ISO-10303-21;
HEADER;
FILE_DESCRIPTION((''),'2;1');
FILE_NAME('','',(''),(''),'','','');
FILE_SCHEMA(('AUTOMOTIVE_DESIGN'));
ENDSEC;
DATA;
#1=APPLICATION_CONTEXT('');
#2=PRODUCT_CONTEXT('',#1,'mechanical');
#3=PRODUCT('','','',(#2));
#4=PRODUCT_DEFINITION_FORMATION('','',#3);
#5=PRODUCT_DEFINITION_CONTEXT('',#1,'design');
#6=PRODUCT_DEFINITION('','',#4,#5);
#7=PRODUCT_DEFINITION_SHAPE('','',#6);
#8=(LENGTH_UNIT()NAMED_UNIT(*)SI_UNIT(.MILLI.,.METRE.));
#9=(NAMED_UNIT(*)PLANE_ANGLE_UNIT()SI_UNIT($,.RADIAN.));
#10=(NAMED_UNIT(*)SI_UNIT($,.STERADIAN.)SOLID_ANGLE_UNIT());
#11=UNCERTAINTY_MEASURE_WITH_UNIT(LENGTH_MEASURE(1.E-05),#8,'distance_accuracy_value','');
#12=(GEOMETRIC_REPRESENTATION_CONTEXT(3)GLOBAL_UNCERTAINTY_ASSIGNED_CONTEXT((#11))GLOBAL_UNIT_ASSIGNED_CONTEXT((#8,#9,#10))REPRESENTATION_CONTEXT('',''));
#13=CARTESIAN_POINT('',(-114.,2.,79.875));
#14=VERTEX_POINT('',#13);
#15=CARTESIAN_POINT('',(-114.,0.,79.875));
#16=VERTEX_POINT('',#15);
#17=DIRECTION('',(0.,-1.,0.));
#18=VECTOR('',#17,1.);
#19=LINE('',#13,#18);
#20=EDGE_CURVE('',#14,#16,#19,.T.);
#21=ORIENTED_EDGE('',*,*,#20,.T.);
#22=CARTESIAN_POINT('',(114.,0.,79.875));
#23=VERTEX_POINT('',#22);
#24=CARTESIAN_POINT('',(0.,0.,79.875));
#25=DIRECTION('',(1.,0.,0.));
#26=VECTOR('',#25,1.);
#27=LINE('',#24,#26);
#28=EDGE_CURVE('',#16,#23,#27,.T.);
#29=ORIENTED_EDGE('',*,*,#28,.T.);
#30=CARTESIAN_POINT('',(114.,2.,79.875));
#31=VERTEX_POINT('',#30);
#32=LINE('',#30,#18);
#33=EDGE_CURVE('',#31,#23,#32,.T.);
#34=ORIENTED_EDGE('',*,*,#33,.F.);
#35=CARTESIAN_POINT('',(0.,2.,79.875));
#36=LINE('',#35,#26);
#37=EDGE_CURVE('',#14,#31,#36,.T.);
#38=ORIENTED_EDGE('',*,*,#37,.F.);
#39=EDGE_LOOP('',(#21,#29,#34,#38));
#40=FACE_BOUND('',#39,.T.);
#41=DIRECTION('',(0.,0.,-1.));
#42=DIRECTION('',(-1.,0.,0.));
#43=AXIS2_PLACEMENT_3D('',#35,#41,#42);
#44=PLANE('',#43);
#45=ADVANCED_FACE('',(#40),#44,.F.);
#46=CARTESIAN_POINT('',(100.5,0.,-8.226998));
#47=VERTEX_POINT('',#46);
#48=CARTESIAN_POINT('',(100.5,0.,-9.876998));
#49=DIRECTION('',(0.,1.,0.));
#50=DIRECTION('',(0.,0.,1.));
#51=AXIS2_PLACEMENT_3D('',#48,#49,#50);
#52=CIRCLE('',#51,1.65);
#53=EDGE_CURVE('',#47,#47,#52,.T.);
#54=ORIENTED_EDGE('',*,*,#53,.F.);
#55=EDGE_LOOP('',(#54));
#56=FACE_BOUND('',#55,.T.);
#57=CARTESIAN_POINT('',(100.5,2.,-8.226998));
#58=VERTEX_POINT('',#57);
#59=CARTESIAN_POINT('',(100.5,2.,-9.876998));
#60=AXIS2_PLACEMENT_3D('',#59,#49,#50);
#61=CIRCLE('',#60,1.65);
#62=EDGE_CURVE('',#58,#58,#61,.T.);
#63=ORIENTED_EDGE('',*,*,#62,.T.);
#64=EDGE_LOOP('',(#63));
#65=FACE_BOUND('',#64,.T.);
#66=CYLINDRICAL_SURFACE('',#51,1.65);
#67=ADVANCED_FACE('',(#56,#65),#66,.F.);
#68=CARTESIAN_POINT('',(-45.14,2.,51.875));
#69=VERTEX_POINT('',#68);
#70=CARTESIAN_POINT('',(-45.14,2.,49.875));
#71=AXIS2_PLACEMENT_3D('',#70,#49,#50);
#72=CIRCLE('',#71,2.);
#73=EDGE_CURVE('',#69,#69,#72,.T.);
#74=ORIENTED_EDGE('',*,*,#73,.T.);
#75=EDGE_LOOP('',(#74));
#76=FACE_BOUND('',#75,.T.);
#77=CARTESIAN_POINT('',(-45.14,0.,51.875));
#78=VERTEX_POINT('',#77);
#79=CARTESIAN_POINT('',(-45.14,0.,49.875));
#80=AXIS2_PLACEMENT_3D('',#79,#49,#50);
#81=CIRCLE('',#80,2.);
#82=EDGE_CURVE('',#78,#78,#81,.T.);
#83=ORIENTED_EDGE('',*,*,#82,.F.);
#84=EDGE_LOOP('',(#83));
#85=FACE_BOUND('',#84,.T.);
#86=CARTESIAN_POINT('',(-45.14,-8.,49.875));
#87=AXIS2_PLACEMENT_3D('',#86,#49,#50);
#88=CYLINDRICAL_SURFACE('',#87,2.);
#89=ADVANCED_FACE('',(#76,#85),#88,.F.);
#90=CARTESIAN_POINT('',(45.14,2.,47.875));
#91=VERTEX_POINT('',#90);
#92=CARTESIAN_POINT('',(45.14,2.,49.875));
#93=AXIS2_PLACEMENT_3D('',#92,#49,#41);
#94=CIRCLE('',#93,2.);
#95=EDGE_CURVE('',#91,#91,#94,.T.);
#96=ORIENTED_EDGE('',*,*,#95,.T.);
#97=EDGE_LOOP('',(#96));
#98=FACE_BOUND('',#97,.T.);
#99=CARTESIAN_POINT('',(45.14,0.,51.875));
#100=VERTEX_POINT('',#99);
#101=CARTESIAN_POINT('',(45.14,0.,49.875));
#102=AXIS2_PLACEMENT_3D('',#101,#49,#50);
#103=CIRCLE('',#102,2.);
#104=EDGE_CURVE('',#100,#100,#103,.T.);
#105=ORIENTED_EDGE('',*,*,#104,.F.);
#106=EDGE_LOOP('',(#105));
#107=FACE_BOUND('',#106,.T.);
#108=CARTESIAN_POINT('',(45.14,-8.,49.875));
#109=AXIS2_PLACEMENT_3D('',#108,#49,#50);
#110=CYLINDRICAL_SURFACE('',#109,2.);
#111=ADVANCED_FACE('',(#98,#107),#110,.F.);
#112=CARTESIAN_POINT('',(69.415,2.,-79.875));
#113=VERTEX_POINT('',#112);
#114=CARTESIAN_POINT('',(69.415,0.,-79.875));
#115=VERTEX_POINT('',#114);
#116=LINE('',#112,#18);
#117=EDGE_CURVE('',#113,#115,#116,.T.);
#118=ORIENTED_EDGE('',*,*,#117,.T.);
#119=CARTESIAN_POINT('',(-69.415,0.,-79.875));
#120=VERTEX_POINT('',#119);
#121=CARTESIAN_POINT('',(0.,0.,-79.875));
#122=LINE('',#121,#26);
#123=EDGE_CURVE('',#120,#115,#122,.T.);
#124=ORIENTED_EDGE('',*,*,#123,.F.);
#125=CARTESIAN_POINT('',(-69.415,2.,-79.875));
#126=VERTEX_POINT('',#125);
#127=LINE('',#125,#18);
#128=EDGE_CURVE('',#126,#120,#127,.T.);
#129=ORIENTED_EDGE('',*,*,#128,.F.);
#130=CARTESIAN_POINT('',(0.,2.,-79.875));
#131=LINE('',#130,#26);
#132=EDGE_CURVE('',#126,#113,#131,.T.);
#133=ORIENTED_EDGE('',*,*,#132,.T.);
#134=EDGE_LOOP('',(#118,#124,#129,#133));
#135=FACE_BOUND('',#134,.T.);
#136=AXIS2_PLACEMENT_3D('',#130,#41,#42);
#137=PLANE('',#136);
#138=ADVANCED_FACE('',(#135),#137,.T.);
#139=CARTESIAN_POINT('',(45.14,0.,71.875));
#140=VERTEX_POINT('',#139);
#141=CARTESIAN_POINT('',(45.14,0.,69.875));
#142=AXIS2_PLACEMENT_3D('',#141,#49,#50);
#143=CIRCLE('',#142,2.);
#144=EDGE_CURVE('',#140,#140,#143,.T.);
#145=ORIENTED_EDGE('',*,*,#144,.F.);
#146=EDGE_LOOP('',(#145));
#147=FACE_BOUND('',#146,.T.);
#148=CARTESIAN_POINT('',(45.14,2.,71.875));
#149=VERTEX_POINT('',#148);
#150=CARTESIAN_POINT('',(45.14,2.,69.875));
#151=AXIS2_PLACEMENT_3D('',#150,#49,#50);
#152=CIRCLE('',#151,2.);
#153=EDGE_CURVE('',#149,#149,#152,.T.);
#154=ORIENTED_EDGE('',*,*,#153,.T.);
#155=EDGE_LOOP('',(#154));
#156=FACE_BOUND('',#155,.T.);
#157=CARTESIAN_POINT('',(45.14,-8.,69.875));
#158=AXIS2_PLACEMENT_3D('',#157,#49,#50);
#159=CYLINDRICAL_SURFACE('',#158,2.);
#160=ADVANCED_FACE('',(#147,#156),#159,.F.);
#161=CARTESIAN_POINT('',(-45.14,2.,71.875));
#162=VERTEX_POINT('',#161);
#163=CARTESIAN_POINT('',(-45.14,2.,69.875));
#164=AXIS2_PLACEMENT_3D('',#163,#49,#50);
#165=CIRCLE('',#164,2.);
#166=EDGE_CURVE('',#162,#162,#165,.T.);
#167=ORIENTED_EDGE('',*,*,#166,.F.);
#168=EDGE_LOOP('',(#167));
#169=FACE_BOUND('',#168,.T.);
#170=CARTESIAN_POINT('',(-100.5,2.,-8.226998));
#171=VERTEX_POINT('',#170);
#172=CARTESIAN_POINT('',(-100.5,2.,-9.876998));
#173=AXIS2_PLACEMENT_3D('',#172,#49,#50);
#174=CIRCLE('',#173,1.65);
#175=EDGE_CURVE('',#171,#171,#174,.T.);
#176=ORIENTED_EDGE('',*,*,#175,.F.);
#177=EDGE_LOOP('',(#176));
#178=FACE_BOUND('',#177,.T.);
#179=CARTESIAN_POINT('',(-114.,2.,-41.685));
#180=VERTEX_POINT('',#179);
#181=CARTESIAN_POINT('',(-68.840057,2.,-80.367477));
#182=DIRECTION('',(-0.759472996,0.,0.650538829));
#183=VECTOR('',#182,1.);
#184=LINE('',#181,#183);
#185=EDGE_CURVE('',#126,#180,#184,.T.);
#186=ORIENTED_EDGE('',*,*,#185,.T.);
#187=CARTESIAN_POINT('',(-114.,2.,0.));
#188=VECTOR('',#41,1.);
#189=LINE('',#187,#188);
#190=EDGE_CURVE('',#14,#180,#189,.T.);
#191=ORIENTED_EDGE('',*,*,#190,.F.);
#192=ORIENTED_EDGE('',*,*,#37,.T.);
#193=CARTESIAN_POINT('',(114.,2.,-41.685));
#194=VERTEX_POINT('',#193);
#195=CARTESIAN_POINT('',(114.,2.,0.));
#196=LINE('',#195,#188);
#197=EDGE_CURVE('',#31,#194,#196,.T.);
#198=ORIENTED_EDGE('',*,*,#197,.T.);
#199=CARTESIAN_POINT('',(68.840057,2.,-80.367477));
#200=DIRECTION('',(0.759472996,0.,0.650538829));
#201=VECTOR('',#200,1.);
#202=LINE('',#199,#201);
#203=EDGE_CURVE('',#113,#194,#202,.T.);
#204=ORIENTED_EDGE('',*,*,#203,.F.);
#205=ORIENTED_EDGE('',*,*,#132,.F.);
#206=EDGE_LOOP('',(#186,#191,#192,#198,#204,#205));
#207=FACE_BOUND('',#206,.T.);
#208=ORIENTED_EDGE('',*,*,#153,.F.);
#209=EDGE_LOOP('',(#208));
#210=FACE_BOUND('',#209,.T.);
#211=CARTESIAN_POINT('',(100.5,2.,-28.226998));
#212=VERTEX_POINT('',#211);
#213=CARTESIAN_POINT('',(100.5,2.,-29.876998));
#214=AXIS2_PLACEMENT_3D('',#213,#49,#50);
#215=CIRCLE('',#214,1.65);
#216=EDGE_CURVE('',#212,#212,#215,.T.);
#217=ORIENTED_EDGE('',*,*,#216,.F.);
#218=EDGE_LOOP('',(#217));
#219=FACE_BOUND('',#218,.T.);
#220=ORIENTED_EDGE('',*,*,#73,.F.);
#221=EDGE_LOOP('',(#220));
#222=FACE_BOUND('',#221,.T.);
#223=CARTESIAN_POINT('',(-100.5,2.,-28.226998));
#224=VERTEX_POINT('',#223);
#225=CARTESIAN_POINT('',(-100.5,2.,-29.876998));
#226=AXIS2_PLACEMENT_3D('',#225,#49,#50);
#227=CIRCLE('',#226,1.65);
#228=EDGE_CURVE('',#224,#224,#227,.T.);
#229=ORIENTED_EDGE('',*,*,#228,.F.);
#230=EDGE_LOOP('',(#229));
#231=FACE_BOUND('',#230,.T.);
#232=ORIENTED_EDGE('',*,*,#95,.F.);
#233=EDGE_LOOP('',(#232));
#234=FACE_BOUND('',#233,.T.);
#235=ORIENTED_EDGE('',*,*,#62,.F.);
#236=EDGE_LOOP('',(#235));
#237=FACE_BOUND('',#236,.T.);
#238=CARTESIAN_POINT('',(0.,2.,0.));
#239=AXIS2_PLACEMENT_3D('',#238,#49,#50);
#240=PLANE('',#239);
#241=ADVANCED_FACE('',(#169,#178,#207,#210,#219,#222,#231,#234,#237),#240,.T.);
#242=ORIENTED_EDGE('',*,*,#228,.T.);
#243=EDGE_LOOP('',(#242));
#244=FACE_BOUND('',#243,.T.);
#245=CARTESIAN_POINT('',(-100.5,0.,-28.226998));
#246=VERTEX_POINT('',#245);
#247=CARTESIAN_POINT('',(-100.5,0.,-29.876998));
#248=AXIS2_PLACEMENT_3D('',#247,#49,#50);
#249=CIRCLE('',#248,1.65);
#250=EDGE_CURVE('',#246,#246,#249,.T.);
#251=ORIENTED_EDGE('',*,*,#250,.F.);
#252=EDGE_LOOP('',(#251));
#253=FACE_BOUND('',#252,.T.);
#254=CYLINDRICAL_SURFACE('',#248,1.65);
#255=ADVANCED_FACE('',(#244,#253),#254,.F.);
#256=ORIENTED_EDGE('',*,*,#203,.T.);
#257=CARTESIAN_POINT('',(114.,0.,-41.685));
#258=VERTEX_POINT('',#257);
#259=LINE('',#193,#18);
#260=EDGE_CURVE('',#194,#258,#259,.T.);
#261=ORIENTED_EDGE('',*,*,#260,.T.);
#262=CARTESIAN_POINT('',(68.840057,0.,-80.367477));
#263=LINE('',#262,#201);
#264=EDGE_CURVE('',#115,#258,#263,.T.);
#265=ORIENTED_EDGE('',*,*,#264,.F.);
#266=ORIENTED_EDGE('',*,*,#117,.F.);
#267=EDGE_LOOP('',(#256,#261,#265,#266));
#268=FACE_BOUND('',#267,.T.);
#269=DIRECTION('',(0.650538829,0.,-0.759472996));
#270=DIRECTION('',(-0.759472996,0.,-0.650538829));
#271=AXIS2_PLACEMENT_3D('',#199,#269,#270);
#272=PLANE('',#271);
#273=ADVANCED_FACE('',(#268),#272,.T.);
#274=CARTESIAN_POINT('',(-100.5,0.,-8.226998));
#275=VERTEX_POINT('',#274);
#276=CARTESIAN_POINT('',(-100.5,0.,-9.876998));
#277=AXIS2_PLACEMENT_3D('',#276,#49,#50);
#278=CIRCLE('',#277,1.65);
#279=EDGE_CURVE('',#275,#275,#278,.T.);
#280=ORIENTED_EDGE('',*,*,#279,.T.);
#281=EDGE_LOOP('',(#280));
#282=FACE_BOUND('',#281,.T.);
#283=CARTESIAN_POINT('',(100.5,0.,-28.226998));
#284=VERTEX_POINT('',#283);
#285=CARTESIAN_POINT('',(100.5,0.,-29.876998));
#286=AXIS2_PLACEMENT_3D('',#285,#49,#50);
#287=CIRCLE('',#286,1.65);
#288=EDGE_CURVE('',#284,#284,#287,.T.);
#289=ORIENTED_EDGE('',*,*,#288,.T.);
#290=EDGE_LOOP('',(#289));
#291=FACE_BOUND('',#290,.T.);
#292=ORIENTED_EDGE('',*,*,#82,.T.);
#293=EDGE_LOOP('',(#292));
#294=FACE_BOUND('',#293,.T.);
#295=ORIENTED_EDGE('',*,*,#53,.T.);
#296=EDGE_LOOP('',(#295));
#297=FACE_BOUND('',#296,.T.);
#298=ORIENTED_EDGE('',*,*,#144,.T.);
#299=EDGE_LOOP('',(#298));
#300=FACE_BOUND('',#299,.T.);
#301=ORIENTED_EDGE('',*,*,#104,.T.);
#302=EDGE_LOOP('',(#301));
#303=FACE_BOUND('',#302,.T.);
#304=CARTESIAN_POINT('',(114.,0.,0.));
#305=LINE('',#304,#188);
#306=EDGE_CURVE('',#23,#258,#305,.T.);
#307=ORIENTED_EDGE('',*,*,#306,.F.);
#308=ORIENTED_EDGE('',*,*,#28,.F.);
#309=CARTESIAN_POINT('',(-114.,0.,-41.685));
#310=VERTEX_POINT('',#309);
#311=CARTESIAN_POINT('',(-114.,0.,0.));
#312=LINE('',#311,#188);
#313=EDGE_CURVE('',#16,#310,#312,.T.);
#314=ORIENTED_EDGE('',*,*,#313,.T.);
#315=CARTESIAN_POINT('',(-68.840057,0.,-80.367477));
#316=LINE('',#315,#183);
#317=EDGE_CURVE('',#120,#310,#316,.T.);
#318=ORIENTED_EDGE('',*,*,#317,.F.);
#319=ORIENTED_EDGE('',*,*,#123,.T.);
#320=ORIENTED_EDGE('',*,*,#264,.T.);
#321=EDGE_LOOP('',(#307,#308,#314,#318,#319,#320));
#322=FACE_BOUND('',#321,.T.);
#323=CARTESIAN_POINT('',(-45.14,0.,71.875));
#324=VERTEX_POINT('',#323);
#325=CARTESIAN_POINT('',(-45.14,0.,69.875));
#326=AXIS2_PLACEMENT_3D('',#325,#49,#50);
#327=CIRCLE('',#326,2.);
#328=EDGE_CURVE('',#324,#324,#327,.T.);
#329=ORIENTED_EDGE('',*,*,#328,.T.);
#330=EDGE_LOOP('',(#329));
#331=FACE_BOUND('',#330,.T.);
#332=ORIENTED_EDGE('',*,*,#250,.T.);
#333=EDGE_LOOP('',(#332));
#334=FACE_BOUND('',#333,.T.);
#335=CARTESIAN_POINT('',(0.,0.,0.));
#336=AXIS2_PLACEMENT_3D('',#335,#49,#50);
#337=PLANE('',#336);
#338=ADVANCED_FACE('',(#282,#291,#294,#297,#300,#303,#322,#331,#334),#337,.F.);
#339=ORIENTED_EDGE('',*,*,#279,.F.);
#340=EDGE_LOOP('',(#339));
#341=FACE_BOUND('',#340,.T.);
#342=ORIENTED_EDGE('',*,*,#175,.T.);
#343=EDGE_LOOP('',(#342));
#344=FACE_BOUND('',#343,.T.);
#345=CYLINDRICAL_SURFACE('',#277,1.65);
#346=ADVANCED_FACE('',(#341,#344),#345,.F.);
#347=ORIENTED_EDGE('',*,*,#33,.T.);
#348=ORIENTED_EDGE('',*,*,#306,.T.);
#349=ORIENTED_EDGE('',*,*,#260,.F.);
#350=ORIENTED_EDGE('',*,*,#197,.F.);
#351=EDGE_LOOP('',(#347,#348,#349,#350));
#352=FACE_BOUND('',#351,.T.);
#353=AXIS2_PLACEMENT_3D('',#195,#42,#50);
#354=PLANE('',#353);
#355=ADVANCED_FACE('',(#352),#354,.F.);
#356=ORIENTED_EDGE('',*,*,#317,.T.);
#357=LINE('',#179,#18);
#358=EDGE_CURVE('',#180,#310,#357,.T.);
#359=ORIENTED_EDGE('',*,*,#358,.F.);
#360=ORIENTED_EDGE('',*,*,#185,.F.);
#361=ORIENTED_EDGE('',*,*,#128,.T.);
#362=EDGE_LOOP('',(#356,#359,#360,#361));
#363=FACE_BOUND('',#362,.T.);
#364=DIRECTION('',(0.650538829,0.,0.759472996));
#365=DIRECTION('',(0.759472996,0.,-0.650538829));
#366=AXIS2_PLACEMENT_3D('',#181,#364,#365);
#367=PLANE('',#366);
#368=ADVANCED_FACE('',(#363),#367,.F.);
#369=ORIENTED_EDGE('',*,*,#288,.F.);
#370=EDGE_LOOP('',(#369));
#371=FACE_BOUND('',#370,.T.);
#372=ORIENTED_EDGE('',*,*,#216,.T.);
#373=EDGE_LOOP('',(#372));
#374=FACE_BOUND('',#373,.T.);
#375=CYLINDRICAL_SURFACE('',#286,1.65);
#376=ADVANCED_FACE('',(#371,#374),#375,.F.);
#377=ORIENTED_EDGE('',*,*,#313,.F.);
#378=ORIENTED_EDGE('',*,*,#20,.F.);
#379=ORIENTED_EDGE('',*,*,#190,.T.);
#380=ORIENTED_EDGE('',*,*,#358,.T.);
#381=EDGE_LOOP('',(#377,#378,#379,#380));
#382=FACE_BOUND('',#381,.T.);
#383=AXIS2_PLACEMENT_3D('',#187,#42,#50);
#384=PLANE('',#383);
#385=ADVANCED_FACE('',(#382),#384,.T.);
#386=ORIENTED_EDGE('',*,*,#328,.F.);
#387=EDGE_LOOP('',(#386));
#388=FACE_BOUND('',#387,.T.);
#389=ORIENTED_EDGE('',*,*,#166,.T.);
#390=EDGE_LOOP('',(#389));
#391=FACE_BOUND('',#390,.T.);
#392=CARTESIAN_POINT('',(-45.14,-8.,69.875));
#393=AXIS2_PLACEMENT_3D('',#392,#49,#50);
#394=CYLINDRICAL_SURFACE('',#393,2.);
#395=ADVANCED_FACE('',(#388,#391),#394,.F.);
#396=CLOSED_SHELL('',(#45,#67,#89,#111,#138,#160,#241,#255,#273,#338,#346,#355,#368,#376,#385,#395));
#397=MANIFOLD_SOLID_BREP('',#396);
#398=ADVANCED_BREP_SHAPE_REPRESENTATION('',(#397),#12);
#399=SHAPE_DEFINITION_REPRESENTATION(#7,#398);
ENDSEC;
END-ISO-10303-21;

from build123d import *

# Parameters (mm, degrees)
RESSALTO_EXTRUS_O1_DEPTH = 2
ESBO_O3_R                = 2
CORTE_EXTRUS_O2_DEPTH    = 10
ESBO_O5_R                = 1.65
CORTE_EXTRUS_O5_DEPTH    = 2


with BuildPart() as part:
    # Esboço1 → Ressalto-extrusão1 (new body)
    with BuildSketch(Plane(origin=(0, 0, 0), x_dir=(1, 0, 0), z_dir=(0, 1, 0))):
        Polygon((-114, 41.685), (-114, -79.875), (-51, -79.875), (0, -79.875), (0, 79.875), (-69.415, 79.875), align=None)
        Polygon((0, 79.875), (0, -79.875), (51.996049983, -79.875), (114, -79.875), (114, 41.685), (69.415, 79.875), align=None)
    extrude(amount=RESSALTO_EXTRUS_O1_DEPTH)

    # Esboço3 → Corte-extrusão2 (cut)
    with BuildSketch(Plane(origin=(0, 2, 0), x_dir=(1, 0, 0), z_dir=(0, 1, 0))):
        with Locations(Location((-45.14, -69.875, 0), (0, 0, 270))):
            Circle(ESBO_O3_R)
        with Locations(Location((45.14, -69.875, 0), (0, 0, 270))):
            Circle(ESBO_O3_R)
        with Locations(Location((-45.14, -49.875, 0), (0, 0, 270))):
            Circle(ESBO_O3_R)
        with Locations(Location((45.14, -49.875, 0), (0, 0, 270))):
            Circle(ESBO_O3_R)
    extrude(amount=-CORTE_EXTRUS_O2_DEPTH, mode=Mode.SUBTRACT)

    # Esboço5 → Corte-extrusão5 (cut)
    with BuildSketch(Plane(origin=(0, 2, 0), x_dir=(1, 0, 0), z_dir=(0, 1, 0))):
        with Locations(Location((100.5, 29.876998266, 0), (0, 0, 270))):
            Circle(ESBO_O5_R)
        with Locations(Location((100.5, 9.876998266, 0), (0, 0, 270))):
            Circle(ESBO_O5_R)
        with Locations(Location((-100.5, 29.876998266, 0), (0, 0, 270))):
            Circle(ESBO_O5_R)
        with Locations(Location((-100.5, 9.876998266, 0), (0, 0, 270))):
            Circle(ESBO_O5_R)
    extrude(amount=-CORTE_EXTRUS_O5_DEPTH, mode=Mode.SUBTRACT)


solid = part.part
